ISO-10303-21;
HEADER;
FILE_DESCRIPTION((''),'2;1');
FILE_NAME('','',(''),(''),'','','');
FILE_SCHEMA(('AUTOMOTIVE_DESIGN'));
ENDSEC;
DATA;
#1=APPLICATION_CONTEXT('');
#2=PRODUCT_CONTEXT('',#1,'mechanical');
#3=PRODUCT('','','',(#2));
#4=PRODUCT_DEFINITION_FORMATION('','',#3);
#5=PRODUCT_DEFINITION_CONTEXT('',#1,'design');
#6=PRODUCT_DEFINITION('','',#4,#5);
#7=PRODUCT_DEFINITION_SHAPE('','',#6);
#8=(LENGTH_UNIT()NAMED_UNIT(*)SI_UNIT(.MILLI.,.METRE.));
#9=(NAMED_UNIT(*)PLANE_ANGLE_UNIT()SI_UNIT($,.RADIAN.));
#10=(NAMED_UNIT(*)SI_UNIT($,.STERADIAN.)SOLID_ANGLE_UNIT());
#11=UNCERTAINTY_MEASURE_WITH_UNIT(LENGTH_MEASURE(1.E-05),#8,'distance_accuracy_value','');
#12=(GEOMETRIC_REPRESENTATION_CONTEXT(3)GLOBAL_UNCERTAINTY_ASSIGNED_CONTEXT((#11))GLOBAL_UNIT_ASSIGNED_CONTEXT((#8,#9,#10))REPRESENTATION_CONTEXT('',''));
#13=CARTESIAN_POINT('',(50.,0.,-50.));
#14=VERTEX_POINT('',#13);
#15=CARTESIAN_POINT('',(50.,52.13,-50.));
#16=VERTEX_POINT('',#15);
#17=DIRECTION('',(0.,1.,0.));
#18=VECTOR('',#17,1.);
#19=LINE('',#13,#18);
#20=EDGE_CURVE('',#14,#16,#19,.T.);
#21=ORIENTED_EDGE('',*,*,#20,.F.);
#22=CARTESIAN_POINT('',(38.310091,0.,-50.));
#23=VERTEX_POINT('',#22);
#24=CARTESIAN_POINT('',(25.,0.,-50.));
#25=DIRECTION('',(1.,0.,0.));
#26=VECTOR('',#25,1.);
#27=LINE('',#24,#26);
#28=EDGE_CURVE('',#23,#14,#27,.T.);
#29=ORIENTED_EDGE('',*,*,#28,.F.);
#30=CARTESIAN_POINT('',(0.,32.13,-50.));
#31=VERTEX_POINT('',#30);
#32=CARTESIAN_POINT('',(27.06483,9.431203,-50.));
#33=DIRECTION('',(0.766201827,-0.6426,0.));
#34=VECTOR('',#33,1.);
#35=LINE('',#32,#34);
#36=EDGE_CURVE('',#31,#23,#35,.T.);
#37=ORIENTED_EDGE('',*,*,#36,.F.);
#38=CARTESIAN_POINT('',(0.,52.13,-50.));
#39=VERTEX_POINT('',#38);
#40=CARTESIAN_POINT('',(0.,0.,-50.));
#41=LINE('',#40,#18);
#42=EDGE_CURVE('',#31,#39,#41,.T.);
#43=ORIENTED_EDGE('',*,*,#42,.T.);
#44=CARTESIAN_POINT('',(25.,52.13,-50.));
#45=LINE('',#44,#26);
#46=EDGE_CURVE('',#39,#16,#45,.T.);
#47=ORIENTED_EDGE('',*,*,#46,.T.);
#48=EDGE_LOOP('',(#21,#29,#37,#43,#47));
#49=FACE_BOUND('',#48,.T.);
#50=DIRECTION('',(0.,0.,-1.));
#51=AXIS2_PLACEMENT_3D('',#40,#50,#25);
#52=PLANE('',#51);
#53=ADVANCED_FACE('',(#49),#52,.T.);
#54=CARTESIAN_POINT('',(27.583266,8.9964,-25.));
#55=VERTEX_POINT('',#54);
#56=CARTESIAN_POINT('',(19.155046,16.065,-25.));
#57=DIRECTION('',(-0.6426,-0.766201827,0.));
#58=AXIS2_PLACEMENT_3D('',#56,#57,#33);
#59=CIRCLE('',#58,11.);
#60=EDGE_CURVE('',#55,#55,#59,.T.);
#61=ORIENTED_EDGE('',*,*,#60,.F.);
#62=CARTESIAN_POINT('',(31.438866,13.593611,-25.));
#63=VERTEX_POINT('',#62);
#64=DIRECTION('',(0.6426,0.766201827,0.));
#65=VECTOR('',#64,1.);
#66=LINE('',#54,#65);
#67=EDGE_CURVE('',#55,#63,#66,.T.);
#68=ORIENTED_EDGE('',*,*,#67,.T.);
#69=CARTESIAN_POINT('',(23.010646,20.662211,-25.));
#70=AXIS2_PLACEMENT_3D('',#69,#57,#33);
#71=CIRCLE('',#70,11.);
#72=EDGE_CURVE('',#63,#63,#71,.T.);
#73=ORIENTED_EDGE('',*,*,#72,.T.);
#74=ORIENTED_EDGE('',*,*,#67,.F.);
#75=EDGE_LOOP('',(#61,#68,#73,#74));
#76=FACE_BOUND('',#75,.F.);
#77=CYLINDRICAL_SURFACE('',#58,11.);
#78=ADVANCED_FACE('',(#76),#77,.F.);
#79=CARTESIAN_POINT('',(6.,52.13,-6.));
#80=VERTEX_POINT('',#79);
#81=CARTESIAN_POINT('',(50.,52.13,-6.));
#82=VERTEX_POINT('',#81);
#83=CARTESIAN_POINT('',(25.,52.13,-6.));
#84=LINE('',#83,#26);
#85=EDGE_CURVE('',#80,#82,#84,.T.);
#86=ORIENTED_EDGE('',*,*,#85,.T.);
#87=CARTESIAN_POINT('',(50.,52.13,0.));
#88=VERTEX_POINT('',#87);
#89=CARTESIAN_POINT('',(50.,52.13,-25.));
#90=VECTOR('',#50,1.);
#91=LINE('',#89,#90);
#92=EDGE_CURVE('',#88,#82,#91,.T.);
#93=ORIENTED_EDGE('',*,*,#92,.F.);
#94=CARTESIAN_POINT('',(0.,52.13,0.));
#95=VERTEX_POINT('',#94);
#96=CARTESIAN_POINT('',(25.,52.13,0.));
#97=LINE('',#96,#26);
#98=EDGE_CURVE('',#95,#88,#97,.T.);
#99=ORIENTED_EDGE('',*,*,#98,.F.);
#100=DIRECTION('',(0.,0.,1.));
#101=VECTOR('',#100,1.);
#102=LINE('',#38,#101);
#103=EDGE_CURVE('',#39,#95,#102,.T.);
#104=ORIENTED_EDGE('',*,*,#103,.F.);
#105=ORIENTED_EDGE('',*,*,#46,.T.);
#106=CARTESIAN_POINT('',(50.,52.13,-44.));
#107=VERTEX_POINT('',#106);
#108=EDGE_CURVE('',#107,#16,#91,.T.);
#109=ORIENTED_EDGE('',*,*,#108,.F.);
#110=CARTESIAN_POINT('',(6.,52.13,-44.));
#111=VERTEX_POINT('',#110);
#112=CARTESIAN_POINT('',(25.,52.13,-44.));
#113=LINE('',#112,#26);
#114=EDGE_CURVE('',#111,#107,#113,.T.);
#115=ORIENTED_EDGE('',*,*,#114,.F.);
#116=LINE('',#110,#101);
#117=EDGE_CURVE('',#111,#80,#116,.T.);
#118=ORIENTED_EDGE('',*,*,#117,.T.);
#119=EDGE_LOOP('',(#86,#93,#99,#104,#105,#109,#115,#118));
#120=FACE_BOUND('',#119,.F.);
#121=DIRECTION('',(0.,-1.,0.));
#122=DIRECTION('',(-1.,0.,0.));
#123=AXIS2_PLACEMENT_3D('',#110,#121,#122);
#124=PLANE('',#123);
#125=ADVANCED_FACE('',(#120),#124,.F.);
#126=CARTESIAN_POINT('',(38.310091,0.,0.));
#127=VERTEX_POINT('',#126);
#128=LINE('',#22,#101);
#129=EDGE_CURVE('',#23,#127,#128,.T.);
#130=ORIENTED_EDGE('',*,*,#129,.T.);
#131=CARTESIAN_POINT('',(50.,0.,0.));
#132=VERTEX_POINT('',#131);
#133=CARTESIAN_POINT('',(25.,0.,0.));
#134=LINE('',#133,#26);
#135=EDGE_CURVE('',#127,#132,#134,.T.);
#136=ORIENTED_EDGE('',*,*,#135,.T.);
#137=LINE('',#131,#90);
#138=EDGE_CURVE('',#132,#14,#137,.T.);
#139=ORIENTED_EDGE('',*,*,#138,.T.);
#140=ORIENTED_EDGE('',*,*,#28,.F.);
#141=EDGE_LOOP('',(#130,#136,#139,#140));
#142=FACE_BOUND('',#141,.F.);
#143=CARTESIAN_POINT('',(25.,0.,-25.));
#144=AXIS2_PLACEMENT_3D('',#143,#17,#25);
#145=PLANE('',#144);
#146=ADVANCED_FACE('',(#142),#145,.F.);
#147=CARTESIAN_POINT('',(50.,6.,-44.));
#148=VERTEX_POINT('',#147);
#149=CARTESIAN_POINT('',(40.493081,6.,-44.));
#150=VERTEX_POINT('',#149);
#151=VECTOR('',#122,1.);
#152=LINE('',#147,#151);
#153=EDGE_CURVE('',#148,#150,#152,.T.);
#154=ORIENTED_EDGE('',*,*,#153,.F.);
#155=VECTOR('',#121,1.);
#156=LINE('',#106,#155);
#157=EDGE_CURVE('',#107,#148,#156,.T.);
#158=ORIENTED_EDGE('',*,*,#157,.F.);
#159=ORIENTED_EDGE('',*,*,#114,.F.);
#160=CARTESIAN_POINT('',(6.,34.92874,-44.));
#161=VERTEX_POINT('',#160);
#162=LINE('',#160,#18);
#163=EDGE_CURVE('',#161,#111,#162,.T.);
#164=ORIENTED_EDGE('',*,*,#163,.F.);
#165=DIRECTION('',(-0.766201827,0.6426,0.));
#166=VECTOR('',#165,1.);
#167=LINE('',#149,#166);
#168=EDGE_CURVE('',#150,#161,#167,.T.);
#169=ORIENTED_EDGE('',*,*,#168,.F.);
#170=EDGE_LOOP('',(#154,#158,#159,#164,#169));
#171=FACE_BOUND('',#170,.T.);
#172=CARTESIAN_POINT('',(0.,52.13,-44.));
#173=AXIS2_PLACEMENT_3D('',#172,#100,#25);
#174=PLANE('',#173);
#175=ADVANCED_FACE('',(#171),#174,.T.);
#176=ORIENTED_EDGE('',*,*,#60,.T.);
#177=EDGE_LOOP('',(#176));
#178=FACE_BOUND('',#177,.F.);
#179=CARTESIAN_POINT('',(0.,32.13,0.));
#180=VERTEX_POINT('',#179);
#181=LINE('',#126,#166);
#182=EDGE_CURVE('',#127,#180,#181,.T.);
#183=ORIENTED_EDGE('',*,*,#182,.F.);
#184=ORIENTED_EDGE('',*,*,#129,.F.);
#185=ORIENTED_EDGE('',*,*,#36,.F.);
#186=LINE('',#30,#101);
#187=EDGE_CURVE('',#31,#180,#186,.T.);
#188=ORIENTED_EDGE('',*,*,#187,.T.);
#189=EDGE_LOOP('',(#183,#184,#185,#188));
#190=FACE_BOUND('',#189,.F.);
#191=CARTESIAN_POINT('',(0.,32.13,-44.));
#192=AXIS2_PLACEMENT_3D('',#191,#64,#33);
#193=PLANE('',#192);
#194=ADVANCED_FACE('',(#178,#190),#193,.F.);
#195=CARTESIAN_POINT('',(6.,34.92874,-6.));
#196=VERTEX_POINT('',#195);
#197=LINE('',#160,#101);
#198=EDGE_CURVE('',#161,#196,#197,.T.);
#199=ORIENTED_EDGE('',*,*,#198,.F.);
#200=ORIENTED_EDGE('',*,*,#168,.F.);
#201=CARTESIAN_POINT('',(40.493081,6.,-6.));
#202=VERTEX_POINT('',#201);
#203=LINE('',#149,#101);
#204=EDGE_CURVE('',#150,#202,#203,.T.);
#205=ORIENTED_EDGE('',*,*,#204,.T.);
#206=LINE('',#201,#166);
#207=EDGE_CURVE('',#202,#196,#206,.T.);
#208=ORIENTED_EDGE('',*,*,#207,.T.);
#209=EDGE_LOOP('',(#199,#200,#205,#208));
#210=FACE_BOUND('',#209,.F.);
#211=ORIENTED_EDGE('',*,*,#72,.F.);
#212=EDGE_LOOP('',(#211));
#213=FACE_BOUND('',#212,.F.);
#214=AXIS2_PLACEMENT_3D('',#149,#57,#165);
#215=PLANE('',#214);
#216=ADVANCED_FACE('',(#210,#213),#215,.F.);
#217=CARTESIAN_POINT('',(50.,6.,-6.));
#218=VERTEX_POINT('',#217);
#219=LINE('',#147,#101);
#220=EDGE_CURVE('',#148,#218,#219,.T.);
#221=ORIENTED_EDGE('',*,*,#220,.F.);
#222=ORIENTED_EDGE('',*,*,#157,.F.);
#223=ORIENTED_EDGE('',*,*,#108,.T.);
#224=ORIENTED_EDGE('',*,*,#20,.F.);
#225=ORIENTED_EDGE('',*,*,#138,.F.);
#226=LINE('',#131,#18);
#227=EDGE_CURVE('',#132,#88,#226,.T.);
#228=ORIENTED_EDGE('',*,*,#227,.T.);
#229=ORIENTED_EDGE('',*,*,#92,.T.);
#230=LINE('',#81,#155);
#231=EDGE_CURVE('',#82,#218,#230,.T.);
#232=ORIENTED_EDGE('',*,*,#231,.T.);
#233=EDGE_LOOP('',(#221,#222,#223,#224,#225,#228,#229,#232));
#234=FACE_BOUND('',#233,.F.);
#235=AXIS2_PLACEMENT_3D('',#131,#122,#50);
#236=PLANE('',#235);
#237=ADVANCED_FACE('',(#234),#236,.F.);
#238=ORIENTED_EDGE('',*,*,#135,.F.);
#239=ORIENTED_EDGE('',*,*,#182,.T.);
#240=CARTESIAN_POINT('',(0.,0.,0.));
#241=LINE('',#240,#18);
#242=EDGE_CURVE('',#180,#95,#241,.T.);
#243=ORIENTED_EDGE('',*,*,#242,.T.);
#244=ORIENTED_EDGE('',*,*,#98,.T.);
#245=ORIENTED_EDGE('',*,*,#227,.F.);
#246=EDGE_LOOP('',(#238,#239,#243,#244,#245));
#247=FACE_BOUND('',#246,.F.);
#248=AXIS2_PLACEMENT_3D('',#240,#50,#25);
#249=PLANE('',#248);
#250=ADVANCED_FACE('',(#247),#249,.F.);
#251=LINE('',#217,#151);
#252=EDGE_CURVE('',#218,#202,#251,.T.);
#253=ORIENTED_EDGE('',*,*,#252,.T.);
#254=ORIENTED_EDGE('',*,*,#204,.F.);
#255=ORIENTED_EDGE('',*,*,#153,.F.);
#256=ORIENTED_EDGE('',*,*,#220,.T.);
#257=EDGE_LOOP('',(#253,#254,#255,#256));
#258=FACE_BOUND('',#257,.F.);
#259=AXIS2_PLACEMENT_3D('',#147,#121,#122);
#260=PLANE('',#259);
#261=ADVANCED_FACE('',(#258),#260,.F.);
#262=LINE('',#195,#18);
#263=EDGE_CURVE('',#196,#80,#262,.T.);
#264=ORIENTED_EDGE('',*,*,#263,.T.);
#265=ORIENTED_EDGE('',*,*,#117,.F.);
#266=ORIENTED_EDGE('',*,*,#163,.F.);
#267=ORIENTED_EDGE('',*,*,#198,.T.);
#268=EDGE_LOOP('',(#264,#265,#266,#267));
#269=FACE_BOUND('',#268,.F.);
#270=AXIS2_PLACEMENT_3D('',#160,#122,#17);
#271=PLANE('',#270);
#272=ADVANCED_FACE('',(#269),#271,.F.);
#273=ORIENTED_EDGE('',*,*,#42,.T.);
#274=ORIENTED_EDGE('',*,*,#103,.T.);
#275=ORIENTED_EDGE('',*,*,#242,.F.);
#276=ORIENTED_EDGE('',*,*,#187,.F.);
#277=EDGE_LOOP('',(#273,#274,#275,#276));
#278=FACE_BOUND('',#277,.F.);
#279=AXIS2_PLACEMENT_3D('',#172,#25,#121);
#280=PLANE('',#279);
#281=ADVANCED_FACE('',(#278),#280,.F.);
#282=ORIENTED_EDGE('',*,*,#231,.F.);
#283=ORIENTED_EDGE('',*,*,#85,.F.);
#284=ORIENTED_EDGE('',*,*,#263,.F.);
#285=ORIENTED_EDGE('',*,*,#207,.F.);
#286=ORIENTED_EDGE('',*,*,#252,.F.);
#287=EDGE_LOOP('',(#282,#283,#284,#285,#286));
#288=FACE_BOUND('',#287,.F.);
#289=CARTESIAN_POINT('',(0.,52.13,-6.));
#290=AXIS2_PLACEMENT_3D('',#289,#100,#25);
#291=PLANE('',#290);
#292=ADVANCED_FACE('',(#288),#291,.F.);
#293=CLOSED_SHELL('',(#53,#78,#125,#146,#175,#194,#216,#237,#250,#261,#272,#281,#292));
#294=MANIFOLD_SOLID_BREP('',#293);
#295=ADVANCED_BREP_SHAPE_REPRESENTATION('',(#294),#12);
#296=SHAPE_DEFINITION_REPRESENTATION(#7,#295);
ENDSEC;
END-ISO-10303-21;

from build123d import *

# Parameters (mm, degrees)
SKETCH1_W           = 50
SKETCH1_H           = 50
BOSS_EXTRUDE1_DEPTH = 52.13
CUT_EXTRUDE1_DEPTH  = 52.13
SKETCH3_W           = 50
SKETCH3_H           = 38
CUT_EXTRUDE2_DEPTH  = 52.13
BOSS_EXTRUDE3_DEPTH = 38
SKETCH5_R           = 11
CUT_EXTRUDE3_DEPTH  = 52.13


with BuildPart() as part:
    # Sketch1 → Boss-Extrude1 (new body)
    with BuildSketch(Plane(origin=(0, 0, 0), x_dir=(1, 0, 0), z_dir=(0, 1, 0))):
        with Locations((25, 25)):
            Rectangle(SKETCH1_W, SKETCH1_H)
    extrude(amount=BOSS_EXTRUDE1_DEPTH)

    # Sketch2 → Cut-Extrude1 (cut)
    with BuildSketch(Plane.XY):
        Polygon((0, 32.13), (0, 0), (38.31009136, 0), align=None)
    extrude(amount=-CUT_EXTRUDE1_DEPTH, mode=Mode.SUBTRACT)

    # Sketch3 → Cut-Extrude2 (cut)
    with BuildSketch(Plane(origin=(0, 52.13, 0), x_dir=(1, 0, 0), z_dir=(0, 1, 0))):
        with Locations((25, 25)):
            Rectangle(SKETCH3_W, SKETCH3_H)
    extrude(amount=-CUT_EXTRUDE2_DEPTH, mode=Mode.SUBTRACT)

    # Sketch4 → Boss-Extrude3 (add)
    with BuildSketch(Plane.XY.offset(-44)):
        Polygon((6, 34.928740389), (6, 52.13), (0, 52.13), (0, 32.13), (38.31009136, 0), (50, 0), (50, 6), (40.493080835, 6), align=None)
    extrude(amount=BOSS_EXTRUDE3_DEPTH)

    # Sketch5 → Cut-Extrude3 (cut)
    with BuildSketch(Plane(origin=(15.819568381, 18.862406161, 0), x_dir=(0.766201827, -0.6426, 0), z_dir=(-0.6426, -0.766201827, 0))):
        with Locations((4.353262, -25)):
            Circle(SKETCH5_R)
    extrude(amount=-CUT_EXTRUDE3_DEPTH, mode=Mode.SUBTRACT)


solid = part.part
